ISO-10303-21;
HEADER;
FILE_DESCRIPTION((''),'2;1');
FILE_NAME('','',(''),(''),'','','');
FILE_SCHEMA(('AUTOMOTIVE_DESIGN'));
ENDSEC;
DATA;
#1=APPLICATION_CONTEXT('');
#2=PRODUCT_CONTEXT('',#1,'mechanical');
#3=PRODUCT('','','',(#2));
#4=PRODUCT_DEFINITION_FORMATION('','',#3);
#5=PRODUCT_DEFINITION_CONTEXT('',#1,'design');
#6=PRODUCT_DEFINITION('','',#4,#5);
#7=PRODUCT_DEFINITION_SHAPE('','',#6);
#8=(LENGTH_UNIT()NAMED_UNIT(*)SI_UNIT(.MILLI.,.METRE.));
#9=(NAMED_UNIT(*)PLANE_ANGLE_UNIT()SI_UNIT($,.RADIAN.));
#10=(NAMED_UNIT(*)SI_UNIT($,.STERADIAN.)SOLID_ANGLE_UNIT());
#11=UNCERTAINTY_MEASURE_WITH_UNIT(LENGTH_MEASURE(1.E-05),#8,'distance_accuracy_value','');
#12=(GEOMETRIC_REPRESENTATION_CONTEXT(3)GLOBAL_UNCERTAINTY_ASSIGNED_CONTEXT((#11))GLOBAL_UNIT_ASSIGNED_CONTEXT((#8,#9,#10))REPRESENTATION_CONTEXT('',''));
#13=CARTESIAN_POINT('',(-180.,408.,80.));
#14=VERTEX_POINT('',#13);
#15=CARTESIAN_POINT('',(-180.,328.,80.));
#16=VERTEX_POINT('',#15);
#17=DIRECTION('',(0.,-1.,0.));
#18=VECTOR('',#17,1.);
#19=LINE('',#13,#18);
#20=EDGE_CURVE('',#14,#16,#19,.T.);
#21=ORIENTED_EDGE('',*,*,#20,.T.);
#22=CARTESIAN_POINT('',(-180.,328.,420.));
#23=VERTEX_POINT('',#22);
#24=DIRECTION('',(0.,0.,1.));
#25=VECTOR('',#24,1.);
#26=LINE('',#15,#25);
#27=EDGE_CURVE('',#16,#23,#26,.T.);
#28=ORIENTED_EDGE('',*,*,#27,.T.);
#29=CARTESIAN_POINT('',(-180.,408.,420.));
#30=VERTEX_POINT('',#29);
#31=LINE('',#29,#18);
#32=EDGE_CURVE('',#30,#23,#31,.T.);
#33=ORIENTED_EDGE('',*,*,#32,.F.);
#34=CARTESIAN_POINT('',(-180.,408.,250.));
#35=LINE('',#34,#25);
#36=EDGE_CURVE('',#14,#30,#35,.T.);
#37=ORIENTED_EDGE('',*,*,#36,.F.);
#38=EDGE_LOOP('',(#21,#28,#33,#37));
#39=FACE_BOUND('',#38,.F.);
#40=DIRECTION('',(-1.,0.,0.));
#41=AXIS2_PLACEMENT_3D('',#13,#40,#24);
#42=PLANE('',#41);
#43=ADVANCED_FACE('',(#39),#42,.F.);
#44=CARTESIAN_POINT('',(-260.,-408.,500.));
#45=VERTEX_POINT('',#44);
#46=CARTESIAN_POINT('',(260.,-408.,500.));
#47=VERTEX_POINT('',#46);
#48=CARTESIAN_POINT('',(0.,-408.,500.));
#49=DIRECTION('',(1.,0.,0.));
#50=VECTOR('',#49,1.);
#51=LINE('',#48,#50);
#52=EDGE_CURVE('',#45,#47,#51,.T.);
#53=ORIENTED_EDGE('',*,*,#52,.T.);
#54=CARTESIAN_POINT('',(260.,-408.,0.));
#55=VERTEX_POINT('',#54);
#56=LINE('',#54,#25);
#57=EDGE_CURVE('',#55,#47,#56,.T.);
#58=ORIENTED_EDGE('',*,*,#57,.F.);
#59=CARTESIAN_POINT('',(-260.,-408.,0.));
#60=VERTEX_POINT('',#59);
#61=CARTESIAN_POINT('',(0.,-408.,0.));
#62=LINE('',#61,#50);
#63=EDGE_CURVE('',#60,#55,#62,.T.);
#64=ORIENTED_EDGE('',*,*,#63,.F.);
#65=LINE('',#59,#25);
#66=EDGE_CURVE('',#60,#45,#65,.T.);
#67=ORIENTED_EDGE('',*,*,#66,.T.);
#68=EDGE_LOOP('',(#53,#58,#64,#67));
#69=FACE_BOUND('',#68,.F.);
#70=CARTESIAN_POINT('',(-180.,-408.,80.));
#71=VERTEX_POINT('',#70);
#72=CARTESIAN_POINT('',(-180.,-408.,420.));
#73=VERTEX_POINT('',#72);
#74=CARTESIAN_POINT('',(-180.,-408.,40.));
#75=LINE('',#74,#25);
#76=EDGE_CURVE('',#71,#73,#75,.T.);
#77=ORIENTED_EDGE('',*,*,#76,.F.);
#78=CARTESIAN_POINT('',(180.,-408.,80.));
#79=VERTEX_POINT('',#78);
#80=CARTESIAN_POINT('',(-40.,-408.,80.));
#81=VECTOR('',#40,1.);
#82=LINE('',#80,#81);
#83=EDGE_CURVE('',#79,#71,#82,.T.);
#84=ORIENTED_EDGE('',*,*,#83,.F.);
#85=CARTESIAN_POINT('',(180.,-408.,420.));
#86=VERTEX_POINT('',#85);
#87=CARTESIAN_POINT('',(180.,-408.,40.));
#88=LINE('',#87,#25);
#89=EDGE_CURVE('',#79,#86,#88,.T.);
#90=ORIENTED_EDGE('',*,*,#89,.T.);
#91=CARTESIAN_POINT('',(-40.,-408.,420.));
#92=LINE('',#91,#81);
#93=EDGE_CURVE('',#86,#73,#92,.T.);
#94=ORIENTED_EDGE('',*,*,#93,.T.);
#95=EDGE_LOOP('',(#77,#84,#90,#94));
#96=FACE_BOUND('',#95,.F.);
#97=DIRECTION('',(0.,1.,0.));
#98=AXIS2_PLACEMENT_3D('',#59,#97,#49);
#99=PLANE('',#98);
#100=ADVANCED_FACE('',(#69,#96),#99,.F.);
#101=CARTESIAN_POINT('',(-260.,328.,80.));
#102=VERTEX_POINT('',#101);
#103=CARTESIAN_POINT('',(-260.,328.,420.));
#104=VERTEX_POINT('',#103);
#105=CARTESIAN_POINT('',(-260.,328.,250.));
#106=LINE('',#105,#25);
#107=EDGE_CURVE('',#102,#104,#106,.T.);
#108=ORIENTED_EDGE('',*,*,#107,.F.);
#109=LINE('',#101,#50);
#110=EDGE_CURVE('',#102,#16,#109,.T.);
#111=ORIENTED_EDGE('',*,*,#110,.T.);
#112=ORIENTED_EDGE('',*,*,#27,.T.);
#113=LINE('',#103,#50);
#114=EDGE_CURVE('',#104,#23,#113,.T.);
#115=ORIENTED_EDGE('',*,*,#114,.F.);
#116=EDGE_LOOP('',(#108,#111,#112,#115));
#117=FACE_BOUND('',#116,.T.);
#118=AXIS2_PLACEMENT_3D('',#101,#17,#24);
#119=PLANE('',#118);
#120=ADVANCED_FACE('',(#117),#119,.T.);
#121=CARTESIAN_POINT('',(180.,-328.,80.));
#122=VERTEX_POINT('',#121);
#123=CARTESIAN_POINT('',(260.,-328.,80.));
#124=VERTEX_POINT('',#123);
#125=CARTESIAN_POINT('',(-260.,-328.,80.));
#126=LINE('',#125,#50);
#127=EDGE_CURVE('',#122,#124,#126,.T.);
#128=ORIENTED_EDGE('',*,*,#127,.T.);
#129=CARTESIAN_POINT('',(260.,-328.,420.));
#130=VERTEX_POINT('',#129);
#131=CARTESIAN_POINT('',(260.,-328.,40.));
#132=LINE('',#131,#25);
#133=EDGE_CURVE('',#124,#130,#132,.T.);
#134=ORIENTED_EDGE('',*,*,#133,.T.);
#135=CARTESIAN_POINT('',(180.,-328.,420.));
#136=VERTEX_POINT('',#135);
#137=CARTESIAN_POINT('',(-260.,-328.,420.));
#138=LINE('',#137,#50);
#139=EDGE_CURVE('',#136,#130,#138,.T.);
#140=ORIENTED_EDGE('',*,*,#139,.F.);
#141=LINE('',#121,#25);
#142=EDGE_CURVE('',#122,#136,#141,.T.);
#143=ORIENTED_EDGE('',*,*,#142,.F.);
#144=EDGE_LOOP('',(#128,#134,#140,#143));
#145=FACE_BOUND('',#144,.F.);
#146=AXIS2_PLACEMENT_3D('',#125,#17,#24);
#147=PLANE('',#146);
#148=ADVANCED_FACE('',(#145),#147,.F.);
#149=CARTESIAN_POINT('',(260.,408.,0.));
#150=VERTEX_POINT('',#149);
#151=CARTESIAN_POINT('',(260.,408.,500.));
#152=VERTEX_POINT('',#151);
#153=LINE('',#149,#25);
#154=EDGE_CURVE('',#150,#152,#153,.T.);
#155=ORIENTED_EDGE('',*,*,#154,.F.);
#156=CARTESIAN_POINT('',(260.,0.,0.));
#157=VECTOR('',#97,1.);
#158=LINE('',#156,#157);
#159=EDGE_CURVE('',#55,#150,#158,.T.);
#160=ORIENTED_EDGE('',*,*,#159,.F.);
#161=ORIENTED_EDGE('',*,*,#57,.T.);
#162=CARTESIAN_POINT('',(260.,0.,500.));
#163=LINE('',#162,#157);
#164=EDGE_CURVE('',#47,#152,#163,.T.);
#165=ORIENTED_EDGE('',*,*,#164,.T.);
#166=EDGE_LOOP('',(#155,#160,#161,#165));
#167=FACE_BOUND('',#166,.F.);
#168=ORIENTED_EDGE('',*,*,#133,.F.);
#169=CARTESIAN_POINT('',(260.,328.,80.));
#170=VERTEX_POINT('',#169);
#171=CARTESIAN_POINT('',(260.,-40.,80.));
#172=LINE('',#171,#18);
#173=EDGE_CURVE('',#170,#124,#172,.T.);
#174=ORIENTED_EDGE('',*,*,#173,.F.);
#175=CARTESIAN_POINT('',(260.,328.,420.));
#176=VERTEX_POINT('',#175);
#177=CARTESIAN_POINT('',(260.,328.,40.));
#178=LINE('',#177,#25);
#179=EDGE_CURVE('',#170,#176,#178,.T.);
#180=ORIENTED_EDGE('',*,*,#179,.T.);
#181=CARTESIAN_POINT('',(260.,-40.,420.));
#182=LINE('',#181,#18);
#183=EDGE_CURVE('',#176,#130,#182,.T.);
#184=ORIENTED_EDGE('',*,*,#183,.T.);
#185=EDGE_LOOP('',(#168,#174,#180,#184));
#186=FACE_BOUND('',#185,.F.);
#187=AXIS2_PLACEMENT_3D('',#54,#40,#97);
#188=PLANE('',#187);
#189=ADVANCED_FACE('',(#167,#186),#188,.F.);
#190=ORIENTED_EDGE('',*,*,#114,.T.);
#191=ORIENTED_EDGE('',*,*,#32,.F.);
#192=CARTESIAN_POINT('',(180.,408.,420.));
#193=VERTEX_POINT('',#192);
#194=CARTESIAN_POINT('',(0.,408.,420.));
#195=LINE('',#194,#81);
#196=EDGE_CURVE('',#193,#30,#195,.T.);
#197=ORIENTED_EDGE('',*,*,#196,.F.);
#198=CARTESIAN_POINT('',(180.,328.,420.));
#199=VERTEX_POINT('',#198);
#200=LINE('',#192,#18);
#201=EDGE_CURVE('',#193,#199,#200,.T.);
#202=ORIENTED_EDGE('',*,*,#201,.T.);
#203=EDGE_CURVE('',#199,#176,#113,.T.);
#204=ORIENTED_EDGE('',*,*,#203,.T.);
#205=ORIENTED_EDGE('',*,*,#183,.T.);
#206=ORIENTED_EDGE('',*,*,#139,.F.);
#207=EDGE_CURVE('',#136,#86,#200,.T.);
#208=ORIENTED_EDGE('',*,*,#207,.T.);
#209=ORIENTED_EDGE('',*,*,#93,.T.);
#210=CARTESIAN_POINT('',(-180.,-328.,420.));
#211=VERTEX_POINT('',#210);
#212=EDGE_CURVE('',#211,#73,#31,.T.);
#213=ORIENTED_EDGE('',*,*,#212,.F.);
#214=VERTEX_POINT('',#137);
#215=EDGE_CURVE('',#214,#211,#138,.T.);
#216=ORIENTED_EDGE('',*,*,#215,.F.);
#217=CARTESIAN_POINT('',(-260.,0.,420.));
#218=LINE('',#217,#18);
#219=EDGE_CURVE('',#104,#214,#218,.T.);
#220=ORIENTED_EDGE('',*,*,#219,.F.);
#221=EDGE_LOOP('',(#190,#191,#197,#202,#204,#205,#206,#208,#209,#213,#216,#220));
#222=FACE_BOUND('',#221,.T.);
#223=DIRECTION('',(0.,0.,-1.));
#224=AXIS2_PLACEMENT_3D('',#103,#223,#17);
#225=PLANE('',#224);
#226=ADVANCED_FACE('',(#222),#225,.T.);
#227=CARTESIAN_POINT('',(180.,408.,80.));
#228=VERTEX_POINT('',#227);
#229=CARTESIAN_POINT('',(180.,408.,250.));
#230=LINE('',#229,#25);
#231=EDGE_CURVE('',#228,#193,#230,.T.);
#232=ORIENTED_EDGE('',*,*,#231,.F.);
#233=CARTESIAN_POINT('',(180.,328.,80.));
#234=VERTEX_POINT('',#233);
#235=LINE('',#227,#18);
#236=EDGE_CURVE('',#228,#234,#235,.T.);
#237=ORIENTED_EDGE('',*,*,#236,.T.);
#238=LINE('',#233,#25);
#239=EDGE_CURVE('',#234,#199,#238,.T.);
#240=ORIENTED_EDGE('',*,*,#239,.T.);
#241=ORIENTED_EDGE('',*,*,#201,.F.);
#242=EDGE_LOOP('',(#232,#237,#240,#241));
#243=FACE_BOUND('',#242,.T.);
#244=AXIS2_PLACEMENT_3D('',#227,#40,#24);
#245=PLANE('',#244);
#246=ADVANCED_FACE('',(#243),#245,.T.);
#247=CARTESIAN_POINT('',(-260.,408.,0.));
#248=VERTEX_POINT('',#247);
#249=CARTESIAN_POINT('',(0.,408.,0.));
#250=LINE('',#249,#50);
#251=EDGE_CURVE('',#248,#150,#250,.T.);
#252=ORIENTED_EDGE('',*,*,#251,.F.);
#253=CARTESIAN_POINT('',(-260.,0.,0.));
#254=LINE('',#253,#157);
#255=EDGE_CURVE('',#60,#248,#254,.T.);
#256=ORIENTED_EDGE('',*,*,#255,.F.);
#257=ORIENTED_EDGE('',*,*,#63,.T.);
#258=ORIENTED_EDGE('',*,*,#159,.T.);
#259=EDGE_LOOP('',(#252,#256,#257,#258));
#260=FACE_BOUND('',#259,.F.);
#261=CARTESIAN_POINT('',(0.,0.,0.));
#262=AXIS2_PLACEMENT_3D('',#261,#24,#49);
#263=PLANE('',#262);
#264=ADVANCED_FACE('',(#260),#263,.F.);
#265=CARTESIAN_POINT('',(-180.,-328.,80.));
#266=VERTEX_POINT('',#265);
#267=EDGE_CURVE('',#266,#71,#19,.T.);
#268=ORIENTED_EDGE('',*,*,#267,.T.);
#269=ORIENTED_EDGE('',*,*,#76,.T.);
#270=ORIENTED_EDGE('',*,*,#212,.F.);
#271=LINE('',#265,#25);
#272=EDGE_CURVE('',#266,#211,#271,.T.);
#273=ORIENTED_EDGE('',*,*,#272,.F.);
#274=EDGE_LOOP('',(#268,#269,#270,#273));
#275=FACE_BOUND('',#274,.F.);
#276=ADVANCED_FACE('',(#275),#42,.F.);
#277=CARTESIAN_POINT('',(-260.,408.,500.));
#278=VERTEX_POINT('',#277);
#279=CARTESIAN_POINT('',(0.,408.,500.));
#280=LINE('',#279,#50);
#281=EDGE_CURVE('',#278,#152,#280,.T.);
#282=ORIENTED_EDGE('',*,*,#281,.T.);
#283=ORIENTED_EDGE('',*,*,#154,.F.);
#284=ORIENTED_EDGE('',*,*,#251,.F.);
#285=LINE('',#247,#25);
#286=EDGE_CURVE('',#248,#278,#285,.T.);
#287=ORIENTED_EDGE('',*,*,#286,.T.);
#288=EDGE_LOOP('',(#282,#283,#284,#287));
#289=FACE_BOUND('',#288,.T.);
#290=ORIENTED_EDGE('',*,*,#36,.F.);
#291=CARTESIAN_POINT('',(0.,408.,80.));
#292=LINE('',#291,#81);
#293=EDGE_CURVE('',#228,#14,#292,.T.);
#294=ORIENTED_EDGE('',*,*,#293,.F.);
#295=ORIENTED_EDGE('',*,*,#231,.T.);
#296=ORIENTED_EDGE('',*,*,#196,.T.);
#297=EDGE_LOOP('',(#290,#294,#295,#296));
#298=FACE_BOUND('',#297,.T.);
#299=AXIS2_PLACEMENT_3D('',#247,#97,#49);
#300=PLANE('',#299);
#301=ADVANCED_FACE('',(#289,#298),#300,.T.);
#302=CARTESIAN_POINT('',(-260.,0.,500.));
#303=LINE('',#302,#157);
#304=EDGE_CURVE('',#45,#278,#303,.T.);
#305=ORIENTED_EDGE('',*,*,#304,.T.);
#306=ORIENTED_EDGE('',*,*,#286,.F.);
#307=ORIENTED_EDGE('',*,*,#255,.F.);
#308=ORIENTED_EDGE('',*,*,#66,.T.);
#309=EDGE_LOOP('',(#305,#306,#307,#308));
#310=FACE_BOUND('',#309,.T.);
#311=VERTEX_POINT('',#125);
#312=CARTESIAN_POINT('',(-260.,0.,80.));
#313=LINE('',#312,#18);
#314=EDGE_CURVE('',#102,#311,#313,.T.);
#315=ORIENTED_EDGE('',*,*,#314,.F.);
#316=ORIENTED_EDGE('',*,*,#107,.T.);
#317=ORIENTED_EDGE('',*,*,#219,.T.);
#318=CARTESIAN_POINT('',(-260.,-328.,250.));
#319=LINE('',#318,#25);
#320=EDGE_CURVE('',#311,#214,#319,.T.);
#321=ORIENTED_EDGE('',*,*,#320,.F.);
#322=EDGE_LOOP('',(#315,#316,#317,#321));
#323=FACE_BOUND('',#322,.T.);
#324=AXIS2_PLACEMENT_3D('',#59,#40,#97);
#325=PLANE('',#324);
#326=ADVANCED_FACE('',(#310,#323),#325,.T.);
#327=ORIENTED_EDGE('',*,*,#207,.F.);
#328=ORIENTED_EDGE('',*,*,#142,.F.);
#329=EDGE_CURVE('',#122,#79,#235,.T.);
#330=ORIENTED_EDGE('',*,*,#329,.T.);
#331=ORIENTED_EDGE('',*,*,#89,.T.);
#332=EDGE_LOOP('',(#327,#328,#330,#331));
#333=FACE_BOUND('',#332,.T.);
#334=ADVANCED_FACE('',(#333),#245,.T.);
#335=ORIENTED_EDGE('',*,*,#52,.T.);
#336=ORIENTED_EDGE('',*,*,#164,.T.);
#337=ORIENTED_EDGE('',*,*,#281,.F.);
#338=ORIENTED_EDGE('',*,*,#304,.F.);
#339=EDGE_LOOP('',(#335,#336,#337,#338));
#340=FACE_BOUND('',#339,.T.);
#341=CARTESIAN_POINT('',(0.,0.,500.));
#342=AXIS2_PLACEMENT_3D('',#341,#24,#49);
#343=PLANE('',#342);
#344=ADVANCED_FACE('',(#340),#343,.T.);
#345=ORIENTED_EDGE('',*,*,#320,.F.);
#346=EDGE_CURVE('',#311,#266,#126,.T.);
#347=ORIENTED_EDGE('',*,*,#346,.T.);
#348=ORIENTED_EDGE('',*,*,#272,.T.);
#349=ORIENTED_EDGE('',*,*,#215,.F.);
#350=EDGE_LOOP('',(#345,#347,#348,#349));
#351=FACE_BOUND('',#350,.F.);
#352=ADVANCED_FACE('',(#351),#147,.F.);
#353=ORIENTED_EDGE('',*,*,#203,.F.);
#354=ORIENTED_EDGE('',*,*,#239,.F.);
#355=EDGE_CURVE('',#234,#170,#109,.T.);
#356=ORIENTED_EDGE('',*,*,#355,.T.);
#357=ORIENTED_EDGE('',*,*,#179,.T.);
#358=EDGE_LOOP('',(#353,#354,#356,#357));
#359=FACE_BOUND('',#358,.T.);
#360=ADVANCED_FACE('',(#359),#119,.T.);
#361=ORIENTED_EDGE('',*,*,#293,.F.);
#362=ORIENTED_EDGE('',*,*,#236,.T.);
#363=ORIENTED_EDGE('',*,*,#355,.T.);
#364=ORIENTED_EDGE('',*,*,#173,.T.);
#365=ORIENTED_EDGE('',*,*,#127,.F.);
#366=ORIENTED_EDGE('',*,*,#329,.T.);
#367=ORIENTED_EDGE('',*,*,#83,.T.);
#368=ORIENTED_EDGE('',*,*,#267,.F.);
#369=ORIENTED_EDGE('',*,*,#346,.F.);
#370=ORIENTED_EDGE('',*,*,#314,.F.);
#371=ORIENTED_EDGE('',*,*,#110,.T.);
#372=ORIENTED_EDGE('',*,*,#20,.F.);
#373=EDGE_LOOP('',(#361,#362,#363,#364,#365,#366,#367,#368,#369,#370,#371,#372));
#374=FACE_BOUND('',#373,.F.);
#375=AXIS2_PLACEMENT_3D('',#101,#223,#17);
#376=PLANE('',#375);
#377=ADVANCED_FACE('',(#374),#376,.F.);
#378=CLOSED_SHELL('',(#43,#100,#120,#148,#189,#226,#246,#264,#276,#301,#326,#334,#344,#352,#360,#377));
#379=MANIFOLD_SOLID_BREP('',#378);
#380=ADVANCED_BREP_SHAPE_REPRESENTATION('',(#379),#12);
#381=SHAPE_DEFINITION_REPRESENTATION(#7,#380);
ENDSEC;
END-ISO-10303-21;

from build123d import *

# Parameters (mm, degrees)
F0_W     = 520
F0_H     = 816
F1_DEPTH = 500
F2_W     = 360
F2_H     = 340
F3_DEPTH = 816.001
F4_W     = 656
F4_H     = 340
F5_DEPTH = 520.001


with BuildPart() as f1:
    # F0 (on Top) → F1 (new body)
    with BuildSketch(Plane.XY):
        Rectangle(F0_W, F0_H)
    extrude(amount=F1_DEPTH)

    # F2 (on face) → F3 (cut, through all)
    with BuildSketch(Plane(origin=(0, 408, 0), x_dir=(-1, 0, 0), z_dir=(0, 1, 0))):
        with Locations((0, 250)):
            Rectangle(F2_W, F2_H)
    extrude(amount=-F3_DEPTH, mode=Mode.SUBTRACT)

    # F4 (on face) → F5 (cut, through all)
    with BuildSketch(Plane(origin=(-260, 0, 0), x_dir=(0, -1, 0), z_dir=(-1, 0, 0))):
        with Locations((0, 250)):
            Rectangle(F4_W, F4_H)
    extrude(amount=-F5_DEPTH, mode=Mode.SUBTRACT)


solid = f1.part
